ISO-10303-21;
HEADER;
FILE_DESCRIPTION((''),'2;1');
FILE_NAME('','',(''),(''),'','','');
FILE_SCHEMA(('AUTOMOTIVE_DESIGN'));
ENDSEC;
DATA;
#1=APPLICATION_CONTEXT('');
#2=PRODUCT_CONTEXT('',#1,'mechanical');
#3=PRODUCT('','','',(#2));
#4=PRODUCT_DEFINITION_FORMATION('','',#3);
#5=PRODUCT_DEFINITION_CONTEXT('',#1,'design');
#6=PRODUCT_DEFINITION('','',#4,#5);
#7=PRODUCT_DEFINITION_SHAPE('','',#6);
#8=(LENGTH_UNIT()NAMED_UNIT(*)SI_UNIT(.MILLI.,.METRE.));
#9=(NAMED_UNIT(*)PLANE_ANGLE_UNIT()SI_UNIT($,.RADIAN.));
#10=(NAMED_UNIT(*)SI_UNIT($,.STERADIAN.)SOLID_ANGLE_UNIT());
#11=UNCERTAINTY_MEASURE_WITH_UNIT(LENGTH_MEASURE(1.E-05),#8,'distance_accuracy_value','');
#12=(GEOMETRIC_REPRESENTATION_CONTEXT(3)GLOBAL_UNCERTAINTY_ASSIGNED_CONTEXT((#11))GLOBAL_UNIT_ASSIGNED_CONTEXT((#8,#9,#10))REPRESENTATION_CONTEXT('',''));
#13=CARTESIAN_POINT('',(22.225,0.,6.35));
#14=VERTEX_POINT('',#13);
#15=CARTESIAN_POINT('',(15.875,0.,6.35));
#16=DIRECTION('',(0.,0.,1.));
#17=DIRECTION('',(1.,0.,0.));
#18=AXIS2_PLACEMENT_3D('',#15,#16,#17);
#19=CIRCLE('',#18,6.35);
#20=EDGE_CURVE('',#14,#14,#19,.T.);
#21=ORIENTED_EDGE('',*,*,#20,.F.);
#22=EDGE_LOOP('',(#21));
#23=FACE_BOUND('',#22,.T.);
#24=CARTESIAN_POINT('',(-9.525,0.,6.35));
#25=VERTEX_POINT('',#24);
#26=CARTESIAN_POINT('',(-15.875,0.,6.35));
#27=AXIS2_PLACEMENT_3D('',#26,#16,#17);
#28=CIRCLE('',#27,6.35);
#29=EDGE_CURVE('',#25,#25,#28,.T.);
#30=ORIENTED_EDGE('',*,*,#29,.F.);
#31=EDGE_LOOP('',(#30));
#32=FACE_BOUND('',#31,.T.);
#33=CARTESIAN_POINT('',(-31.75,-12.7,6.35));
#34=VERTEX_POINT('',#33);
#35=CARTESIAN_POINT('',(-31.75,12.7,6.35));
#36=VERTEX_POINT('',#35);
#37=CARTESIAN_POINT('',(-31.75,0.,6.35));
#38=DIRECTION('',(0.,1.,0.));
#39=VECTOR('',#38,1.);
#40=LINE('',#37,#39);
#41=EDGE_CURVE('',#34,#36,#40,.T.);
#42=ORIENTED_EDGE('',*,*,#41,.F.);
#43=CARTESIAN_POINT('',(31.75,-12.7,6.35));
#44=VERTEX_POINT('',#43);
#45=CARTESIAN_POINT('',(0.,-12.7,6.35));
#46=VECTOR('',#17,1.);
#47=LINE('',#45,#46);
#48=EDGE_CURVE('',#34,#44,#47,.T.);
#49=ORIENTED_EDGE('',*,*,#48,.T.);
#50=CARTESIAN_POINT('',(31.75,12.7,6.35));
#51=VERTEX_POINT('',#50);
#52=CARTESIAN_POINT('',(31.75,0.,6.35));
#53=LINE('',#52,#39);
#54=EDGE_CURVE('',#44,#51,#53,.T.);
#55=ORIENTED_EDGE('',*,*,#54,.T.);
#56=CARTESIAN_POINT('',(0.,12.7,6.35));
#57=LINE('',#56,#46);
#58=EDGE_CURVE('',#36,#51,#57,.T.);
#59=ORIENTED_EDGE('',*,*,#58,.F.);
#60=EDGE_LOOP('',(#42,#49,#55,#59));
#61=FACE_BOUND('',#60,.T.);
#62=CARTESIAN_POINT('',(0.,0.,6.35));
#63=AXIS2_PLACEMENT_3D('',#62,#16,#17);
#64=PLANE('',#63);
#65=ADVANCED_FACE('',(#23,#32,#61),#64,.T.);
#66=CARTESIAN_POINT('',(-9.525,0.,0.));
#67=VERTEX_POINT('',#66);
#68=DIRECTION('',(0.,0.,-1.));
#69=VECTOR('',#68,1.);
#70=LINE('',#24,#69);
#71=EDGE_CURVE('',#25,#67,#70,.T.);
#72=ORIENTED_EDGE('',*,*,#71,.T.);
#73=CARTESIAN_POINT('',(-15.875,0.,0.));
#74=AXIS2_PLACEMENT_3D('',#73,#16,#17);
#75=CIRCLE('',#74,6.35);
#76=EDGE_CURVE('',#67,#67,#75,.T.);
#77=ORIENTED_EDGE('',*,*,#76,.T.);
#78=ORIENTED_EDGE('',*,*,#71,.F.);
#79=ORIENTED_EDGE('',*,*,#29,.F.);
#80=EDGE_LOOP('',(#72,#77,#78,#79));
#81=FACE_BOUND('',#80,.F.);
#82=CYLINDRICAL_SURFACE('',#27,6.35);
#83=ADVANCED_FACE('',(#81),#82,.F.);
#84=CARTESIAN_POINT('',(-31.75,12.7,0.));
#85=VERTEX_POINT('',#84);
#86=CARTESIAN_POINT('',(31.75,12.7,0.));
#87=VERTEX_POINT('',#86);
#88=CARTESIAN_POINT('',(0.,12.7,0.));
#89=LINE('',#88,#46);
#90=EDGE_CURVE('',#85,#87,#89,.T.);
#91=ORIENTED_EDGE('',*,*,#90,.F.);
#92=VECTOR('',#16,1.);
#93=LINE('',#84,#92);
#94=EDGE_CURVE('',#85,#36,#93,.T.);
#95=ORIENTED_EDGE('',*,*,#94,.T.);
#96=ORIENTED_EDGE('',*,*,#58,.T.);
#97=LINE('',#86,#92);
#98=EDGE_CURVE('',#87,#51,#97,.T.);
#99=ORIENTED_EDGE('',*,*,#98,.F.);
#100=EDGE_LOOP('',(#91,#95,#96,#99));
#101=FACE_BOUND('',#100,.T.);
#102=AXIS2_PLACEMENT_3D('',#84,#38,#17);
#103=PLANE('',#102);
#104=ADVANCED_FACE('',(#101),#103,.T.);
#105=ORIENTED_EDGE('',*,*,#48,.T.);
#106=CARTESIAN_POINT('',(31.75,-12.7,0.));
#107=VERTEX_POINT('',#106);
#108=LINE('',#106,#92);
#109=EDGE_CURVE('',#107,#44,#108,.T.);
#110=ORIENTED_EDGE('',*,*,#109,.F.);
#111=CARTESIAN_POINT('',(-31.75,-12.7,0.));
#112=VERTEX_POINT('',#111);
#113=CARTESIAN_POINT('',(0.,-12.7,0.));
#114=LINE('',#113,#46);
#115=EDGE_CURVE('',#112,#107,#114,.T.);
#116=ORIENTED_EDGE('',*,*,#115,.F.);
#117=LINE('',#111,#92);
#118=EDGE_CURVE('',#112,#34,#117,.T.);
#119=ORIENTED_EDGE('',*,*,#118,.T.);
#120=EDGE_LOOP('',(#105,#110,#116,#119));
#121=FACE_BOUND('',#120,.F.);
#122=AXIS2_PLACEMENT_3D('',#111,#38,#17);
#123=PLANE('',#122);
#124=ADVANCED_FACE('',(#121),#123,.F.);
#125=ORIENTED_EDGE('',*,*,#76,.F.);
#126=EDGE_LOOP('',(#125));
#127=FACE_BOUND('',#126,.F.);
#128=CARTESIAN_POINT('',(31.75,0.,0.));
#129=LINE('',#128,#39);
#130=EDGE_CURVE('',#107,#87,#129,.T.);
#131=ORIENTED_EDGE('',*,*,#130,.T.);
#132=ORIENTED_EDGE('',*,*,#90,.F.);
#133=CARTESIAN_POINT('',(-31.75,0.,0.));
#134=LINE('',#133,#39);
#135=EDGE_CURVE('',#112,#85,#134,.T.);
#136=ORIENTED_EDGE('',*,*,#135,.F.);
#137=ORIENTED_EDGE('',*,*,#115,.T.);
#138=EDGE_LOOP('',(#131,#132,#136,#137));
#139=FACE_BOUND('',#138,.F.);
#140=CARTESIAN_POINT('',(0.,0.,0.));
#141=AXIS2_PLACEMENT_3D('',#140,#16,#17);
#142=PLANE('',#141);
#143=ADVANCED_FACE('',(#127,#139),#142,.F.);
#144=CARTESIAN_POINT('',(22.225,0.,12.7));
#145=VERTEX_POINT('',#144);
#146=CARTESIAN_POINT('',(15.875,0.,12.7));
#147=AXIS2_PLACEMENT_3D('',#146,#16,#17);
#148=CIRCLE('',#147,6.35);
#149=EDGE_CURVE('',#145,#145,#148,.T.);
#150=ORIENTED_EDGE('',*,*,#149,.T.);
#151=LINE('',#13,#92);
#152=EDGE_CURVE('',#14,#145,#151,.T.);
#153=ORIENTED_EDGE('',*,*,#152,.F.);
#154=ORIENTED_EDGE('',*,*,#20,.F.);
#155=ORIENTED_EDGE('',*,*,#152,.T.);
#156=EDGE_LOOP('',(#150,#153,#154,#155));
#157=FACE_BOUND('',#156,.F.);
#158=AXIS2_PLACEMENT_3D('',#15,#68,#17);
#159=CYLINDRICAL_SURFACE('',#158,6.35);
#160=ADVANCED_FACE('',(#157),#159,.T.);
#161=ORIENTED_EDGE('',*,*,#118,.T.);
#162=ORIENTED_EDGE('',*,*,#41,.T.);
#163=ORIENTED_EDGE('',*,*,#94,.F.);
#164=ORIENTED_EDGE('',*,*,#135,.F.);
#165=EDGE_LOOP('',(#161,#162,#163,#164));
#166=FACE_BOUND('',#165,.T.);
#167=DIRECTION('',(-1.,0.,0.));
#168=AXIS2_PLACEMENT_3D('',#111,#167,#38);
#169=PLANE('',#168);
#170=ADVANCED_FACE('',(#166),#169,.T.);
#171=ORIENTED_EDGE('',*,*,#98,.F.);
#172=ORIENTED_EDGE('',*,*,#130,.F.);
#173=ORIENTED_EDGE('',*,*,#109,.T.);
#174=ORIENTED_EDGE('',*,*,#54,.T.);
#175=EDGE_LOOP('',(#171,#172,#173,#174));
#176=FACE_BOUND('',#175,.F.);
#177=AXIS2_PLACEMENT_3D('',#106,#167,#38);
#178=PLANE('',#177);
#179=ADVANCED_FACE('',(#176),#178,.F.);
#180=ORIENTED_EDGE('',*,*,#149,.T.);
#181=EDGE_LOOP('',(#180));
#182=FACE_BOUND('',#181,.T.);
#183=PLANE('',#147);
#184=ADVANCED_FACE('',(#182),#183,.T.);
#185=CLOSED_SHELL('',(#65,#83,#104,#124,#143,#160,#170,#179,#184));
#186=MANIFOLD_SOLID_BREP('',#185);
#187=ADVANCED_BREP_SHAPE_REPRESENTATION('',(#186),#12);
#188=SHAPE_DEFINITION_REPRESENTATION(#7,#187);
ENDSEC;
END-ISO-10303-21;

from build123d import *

# Parameters (mm, degrees)
F0_W     = 63.5
F0_H     = 25.4
F1_DEPTH = 6.35
F2_R     = 6.35
F3_DEPTH = 6.351
F4_R     = 6.35
F5_DEPTH = 6.35


with BuildPart() as f1:
    # F0 (on Top) → F1 (new body)
    with BuildSketch(Plane.XY):
        Rectangle(F0_W, F0_H)
    extrude(amount=F1_DEPTH)

    # F2 (on face) → F3 (cut, through all)
    with BuildSketch(Plane.XY.offset(6.35)):
        with Locations((-15.875, 0)):
            Circle(F2_R)
    extrude(amount=-F3_DEPTH, mode=Mode.SUBTRACT)

    # F4 (on face) → F5 (join)
    with BuildSketch(Plane.XY.offset(6.35)):
        with Locations((15.875, 0)):
            Circle(F4_R)
    extrude(amount=F5_DEPTH)


solid = f1.part
